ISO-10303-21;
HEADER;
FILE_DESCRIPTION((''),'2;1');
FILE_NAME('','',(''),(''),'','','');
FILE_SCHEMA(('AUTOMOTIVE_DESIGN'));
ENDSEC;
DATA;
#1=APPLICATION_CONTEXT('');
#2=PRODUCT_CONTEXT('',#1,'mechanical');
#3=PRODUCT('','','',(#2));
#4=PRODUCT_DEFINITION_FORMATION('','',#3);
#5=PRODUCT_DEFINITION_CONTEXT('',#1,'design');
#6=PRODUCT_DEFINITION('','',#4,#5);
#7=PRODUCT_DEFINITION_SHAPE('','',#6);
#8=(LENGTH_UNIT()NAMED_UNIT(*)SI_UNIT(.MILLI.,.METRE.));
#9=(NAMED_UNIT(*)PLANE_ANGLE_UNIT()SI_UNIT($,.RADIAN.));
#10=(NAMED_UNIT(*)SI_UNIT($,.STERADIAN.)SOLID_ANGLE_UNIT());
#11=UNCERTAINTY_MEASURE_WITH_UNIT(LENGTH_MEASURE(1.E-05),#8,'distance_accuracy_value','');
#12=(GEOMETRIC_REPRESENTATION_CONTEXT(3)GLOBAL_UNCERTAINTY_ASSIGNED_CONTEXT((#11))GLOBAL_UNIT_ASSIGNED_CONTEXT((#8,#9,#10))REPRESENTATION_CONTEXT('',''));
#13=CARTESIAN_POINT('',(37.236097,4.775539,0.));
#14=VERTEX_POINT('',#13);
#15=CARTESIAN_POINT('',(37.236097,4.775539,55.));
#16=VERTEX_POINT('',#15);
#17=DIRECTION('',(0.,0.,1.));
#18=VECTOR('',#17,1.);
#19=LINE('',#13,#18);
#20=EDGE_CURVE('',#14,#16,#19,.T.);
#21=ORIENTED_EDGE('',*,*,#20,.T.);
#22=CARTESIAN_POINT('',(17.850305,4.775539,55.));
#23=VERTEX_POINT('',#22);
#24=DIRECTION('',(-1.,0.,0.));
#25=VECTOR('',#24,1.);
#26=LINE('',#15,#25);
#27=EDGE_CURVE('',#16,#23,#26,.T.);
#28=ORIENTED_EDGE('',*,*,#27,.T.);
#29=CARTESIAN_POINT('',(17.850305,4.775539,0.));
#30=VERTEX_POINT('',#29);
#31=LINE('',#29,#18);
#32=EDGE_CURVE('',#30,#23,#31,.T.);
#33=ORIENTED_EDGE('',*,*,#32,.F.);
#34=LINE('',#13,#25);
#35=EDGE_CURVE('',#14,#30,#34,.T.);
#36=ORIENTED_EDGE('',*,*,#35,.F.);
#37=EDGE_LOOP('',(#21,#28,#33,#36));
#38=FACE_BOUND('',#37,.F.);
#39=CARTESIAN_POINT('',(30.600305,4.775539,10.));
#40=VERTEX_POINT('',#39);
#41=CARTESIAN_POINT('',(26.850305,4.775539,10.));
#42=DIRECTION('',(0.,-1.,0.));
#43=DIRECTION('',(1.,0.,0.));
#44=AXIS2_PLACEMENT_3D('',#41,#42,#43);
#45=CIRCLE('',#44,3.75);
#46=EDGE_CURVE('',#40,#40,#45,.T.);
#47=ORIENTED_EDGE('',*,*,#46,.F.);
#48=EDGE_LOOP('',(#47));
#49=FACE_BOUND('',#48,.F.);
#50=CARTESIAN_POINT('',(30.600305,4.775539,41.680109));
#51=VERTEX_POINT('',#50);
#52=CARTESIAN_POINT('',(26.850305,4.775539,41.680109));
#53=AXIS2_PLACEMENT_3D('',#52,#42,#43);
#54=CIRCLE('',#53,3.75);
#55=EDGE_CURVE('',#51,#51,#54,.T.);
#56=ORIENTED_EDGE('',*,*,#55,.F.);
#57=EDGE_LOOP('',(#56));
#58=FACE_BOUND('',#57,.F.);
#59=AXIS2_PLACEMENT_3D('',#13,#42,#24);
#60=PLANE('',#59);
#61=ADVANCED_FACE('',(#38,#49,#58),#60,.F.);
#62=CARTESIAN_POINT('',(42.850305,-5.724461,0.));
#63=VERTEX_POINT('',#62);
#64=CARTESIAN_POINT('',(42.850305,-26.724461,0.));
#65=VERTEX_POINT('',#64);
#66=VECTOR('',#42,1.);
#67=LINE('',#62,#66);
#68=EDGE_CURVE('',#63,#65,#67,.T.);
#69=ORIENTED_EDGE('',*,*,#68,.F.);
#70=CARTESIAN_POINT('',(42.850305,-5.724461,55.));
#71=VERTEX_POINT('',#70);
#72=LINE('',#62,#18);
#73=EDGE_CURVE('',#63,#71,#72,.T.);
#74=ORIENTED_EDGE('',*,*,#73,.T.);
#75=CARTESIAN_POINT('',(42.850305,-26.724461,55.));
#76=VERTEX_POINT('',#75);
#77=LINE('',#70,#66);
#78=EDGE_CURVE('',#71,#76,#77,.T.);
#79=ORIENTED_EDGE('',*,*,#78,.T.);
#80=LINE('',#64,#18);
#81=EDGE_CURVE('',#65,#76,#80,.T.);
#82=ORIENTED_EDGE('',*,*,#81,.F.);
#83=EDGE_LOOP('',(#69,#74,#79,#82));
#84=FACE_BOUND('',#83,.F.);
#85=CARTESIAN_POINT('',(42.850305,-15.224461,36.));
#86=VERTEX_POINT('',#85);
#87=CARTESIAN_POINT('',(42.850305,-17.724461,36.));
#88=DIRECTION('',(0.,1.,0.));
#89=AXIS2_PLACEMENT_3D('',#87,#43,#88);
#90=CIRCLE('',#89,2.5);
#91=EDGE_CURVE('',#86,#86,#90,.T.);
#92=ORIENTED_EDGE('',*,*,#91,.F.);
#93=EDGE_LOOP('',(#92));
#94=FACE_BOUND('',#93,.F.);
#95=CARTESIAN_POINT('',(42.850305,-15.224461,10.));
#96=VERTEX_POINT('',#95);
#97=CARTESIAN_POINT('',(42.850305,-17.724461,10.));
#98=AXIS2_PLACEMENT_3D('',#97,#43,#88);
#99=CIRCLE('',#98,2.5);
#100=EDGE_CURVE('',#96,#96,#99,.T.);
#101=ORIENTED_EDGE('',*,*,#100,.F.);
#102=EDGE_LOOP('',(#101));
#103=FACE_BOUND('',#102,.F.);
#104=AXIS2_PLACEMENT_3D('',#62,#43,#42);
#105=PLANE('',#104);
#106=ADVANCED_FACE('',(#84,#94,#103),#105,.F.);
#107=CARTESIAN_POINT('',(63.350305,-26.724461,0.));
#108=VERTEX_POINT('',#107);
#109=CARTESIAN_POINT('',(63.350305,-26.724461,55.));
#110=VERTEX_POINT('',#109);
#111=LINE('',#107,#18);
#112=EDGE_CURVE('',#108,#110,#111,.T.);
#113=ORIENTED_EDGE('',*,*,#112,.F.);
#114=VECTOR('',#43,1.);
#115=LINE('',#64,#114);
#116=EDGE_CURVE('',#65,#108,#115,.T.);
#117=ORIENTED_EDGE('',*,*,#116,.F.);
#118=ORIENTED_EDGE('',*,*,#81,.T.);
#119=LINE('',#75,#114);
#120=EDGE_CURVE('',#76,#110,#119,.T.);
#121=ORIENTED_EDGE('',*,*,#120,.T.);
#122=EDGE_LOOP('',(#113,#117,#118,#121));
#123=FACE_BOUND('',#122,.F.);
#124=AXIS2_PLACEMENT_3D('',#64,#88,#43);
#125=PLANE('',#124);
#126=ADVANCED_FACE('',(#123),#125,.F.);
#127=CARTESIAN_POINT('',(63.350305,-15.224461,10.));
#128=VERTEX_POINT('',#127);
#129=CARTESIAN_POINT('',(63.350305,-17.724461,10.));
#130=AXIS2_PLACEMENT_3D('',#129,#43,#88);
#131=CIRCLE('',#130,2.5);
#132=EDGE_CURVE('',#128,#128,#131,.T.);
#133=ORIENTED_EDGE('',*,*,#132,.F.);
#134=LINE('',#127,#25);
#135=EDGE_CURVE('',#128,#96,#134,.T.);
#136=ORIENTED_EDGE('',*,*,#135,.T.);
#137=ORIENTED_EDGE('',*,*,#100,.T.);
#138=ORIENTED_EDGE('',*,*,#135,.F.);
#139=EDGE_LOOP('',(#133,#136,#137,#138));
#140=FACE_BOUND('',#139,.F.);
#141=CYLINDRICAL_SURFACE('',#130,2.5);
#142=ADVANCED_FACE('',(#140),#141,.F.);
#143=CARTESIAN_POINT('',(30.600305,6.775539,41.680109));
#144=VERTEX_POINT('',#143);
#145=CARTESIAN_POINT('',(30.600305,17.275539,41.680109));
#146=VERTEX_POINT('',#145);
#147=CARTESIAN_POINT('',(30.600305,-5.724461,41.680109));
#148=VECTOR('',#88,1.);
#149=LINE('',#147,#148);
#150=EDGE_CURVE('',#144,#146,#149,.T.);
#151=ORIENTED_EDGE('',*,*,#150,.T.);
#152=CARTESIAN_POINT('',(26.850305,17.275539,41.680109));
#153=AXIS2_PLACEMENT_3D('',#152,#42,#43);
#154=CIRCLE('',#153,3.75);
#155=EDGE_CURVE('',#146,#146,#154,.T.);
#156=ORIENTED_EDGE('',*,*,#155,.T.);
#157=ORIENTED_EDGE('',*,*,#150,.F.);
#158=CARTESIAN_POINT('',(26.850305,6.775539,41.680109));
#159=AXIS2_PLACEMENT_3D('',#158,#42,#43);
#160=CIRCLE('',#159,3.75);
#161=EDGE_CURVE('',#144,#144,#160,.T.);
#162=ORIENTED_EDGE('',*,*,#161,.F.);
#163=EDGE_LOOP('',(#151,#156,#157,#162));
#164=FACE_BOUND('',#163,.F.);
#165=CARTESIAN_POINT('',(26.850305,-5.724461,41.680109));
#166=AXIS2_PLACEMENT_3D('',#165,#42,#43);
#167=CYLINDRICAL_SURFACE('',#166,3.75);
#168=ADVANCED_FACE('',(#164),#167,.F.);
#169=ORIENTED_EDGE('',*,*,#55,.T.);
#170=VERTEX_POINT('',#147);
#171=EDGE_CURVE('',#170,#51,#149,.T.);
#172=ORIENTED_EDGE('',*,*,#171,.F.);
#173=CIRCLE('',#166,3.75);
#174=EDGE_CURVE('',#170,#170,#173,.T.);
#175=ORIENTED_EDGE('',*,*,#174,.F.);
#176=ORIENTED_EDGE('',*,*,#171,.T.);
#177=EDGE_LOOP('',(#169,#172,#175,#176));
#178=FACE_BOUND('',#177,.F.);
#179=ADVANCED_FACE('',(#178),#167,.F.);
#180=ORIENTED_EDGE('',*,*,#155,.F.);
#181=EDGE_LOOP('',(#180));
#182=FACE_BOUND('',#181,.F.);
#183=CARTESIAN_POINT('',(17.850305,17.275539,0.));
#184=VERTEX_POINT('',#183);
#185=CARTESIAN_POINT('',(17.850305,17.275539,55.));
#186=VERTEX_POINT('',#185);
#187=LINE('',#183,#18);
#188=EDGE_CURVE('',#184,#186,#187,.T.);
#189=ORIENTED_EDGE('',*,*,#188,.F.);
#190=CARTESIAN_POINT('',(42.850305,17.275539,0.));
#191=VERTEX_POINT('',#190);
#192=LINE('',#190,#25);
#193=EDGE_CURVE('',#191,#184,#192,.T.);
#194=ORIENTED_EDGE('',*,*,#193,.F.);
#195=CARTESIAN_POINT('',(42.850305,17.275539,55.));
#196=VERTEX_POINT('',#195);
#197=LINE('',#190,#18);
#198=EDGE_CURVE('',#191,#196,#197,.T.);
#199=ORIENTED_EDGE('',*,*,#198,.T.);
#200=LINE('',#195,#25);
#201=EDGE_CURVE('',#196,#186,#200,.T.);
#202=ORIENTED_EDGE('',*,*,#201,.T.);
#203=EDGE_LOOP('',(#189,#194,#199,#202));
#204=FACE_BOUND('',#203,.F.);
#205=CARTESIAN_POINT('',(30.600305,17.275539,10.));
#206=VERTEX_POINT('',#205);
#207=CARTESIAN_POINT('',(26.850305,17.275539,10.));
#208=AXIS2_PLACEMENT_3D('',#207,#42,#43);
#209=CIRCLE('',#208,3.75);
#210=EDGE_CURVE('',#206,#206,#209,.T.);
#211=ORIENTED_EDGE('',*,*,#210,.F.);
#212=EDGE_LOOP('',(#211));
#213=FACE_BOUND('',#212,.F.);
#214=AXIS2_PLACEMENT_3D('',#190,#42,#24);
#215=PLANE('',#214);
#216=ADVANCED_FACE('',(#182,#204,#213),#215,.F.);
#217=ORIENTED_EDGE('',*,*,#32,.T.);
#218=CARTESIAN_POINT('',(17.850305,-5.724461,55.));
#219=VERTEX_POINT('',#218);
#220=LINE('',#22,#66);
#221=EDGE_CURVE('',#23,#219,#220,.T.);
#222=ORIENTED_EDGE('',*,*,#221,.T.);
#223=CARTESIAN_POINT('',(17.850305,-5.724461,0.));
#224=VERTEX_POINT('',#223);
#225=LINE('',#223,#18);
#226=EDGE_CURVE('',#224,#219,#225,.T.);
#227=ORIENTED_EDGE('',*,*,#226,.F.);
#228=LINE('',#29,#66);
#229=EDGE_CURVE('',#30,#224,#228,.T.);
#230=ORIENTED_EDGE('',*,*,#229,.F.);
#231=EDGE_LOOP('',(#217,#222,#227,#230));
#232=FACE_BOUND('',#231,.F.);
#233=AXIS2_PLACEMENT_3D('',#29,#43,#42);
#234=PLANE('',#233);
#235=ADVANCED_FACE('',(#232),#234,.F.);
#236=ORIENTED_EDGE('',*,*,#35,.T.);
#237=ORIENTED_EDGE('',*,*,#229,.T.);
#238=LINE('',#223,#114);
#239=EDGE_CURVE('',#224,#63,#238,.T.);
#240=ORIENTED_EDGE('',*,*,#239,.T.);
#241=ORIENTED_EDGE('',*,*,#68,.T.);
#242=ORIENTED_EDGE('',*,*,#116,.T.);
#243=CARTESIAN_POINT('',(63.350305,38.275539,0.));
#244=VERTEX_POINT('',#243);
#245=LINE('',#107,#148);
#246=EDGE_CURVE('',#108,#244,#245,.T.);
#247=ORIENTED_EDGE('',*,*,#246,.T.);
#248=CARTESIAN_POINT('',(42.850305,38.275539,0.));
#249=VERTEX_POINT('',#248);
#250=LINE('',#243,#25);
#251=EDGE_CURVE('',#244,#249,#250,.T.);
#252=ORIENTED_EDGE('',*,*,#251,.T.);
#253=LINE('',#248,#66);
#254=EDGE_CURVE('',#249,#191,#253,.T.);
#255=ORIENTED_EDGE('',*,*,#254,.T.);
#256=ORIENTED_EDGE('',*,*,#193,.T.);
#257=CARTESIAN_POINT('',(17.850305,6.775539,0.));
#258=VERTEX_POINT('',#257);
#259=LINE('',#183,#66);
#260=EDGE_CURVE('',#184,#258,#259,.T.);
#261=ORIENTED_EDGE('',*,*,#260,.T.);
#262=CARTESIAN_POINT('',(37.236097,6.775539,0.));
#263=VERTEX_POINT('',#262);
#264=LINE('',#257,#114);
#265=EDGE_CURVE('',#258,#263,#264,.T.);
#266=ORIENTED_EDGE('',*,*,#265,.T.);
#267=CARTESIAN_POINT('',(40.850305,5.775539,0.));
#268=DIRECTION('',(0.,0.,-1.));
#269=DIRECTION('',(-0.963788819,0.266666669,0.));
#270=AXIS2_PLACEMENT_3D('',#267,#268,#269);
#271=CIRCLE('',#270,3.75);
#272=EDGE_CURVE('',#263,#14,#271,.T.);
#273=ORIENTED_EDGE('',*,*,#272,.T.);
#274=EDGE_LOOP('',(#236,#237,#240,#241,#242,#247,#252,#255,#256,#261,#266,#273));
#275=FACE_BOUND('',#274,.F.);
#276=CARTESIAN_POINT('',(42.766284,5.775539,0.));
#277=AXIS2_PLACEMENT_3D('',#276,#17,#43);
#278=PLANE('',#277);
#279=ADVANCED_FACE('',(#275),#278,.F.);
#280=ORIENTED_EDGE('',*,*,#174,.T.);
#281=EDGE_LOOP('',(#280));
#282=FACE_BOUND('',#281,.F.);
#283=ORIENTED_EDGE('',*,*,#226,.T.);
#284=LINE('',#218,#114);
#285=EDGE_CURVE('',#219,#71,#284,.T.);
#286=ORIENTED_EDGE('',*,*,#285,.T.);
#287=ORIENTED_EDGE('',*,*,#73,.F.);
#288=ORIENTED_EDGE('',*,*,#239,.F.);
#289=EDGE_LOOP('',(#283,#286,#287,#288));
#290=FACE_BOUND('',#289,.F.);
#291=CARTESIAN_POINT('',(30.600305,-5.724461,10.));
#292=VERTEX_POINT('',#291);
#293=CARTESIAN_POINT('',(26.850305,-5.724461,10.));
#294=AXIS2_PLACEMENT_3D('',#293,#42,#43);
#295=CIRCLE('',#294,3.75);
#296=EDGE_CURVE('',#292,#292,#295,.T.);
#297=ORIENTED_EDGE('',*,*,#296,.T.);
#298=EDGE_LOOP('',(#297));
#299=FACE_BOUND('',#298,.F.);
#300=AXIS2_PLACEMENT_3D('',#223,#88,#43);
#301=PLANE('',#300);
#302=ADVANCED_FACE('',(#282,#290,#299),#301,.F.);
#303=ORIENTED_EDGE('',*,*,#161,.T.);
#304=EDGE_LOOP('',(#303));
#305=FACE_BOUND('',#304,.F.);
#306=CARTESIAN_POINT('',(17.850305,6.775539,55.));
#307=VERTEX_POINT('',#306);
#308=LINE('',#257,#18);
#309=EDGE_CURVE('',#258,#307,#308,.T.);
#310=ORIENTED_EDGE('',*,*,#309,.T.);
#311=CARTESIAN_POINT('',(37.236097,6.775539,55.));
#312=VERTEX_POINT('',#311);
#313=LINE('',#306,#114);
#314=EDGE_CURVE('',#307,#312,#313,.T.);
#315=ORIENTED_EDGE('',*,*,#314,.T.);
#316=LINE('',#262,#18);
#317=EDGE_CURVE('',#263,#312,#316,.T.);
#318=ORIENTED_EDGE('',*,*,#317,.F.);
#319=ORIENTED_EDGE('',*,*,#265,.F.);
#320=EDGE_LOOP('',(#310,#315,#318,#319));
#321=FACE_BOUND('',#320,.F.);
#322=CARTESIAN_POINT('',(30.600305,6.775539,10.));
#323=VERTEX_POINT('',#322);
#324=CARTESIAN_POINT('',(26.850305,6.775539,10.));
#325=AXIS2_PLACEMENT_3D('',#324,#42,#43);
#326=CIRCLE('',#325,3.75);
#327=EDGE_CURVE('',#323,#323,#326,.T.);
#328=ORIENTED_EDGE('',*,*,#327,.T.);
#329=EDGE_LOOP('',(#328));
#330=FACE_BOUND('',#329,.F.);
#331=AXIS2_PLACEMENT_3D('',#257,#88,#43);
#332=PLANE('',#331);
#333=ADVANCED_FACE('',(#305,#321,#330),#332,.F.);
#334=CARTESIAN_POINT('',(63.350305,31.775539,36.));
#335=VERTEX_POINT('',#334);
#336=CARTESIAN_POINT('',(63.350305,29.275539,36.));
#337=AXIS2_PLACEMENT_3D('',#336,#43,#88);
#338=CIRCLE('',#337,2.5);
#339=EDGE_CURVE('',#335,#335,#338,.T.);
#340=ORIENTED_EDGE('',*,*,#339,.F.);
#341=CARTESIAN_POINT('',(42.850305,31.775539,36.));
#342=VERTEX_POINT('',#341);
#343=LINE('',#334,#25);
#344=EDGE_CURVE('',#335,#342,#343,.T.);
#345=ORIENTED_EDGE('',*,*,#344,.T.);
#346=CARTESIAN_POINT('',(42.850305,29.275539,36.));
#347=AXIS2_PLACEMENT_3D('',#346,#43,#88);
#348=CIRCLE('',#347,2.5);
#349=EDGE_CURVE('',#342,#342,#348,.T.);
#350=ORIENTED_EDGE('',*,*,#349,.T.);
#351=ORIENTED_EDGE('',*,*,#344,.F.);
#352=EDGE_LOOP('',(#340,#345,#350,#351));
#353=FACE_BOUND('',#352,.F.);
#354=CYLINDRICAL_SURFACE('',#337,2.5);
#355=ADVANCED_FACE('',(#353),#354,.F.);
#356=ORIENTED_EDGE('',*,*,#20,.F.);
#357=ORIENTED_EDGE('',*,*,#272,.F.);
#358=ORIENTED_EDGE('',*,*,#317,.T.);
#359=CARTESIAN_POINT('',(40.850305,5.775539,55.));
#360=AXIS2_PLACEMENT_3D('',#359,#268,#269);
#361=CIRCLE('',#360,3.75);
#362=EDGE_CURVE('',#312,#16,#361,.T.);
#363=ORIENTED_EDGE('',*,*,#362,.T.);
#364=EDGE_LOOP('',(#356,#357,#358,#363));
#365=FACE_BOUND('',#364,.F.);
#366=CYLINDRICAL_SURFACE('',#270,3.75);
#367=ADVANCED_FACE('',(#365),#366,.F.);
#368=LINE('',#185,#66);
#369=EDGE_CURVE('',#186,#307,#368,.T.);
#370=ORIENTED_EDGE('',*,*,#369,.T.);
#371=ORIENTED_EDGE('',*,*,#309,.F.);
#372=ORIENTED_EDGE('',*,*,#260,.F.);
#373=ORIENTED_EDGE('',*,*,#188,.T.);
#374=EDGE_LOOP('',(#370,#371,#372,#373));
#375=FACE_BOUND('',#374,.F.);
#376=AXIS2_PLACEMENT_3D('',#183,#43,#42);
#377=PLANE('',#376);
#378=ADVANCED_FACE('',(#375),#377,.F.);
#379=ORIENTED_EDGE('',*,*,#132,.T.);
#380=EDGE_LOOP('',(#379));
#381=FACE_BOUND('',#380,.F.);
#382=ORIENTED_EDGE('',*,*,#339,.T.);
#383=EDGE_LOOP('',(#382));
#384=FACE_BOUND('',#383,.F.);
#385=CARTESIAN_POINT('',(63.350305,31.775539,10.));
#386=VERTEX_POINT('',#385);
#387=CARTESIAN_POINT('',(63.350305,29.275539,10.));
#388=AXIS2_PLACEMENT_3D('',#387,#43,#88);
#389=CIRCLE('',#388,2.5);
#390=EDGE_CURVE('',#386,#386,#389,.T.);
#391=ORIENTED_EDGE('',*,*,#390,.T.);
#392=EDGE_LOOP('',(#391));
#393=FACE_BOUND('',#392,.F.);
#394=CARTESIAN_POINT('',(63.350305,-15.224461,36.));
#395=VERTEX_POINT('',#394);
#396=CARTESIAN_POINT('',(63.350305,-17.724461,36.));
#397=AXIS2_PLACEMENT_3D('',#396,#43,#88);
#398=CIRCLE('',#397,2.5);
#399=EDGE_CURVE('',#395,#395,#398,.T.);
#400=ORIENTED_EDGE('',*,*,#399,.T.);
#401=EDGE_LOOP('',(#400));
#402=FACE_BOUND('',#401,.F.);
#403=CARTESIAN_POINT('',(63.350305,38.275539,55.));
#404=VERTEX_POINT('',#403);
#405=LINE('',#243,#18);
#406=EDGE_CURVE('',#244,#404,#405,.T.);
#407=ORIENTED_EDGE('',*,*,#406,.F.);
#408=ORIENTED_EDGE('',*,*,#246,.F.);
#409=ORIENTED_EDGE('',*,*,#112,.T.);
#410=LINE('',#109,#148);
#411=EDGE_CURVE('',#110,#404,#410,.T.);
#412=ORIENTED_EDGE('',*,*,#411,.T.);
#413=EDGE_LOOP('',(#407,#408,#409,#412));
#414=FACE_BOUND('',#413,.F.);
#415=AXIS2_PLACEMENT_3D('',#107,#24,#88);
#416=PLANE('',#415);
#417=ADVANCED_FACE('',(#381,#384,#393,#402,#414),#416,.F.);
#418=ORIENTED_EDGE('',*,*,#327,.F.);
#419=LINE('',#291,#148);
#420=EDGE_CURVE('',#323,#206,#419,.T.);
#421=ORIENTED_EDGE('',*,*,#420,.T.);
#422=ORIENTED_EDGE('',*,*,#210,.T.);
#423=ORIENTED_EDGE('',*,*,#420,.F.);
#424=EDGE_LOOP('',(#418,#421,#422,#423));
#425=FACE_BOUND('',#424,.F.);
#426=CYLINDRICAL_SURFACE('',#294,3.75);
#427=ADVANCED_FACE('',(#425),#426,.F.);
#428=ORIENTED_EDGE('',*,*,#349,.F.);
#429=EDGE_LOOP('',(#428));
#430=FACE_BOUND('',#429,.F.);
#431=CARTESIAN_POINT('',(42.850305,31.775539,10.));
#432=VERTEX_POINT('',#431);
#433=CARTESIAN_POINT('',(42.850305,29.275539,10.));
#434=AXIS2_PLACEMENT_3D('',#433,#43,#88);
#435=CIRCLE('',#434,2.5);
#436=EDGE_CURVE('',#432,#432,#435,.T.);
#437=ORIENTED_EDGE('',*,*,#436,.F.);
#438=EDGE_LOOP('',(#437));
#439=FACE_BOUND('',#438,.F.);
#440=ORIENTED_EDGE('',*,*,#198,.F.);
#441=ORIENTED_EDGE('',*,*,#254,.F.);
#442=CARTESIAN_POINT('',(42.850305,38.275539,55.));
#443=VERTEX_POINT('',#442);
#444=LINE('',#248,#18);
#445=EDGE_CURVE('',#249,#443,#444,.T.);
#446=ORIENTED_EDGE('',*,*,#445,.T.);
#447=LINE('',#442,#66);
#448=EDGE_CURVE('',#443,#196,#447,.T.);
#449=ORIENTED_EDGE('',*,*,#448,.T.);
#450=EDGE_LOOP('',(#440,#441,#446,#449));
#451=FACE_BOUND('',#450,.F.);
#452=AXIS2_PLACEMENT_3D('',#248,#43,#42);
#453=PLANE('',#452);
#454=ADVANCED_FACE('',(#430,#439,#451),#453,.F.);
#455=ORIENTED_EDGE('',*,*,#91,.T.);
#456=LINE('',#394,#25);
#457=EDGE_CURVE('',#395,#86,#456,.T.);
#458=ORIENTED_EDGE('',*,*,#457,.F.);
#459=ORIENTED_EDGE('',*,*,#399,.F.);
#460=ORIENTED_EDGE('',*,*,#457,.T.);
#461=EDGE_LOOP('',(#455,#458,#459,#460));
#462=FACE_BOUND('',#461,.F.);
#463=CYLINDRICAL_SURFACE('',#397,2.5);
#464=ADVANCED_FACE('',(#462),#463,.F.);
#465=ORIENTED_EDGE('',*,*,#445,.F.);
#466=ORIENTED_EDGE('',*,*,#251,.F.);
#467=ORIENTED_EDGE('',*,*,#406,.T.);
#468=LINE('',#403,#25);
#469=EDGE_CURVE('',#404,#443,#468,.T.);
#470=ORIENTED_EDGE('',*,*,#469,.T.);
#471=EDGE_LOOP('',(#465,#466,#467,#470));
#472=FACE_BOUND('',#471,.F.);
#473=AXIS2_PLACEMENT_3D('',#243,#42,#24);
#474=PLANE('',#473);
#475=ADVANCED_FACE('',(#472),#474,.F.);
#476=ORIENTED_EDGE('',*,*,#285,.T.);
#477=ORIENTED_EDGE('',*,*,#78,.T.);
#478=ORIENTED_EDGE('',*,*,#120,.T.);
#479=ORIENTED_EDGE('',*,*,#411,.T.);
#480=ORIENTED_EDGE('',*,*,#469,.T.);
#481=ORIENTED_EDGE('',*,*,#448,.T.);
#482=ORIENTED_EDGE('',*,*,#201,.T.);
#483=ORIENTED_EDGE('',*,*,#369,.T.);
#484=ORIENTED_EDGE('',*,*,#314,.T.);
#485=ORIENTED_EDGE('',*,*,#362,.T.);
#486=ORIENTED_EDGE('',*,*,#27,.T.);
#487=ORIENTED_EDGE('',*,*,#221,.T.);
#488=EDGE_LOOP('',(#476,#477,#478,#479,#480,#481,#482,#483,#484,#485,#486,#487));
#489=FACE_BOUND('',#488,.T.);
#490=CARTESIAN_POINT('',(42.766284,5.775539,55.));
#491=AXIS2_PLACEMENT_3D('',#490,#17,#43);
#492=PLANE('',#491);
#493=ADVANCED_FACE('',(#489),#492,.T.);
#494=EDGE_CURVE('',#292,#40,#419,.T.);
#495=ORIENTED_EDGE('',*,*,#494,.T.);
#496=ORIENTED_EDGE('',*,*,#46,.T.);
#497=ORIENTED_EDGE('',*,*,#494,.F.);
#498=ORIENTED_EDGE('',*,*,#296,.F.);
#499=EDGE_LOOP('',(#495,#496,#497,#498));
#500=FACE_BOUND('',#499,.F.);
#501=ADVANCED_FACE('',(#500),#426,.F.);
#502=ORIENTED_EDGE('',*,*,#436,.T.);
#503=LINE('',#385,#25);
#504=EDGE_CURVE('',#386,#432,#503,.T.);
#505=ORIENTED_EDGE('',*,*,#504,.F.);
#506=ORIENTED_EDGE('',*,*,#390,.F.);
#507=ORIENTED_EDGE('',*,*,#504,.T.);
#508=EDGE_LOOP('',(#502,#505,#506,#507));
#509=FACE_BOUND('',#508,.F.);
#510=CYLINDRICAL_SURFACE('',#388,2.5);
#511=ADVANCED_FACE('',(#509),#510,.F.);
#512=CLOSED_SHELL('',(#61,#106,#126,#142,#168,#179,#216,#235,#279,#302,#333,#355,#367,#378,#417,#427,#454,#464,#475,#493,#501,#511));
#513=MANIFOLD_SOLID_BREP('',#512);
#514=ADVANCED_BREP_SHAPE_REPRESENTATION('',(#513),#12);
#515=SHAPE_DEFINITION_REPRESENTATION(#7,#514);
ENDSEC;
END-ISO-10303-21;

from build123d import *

# Parameters (mm, degrees)
F1_DEPTH = 55
F2_R     = 2.5
F3_DEPTH = 45.501
F4_R     = 3.75
F5_DEPTH = 44.001


with BuildPart() as f1:
    # F0 (on Top) → F1 (new body)
    with BuildSketch(Plane.XY):
        with BuildLine():
            Line((63.350305, -26.724461), (63.350305, 38.275539))
            Line((63.350305, 38.275539), (42.850305, 38.275539))
            Line((42.850305, 38.275539), (42.850305, 17.275539))
            Line((42.850305, 17.275539), (17.850305, 17.275539))
            Line((17.850305, 17.275539), (17.850305, 6.775539))
            Line((17.850305, 6.775539), (37.236097, 6.775539))
            ThreePointArc((37.236097, 6.775539), (44.600305, 5.775539), (37.236097, 4.775539))
            Line((37.236097, 4.775539), (17.850305, 4.775539))
            Line((17.850305, 4.775539), (17.850305, -5.724461))
            Line((17.850305, -5.724461), (42.850305, -5.724461))
            Line((42.850305, -5.724461), (42.850305, -26.724461))
            Line((42.850305, -26.724461), (63.350305, -26.724461))
        make_face()
    extrude(amount=F1_DEPTH)

    # F2 (on face) → F3 (cut, through all)
    with BuildSketch(Plane.YZ.offset(63.350305)):
        with Locations((29.275539, 10)):
            Circle(F2_R)
        with Locations((29.275539, 36)):
            Circle(F2_R)
        with Locations((-17.724461, 10)):
            Circle(F2_R)
        with Locations((-17.724461, 36)):
            Circle(F2_R)
    extrude(amount=-F3_DEPTH, mode=Mode.SUBTRACT)

    # F4 (on face) → F5 (cut, through all)
    with BuildSketch(Plane.XZ.offset(5.724461)):
        with Locations((26.850305, 41.680109)):
            Circle(F4_R)
        with Locations((26.850305, 10)):
            Circle(F4_R)
    extrude(amount=-F5_DEPTH, mode=Mode.SUBTRACT)


solid = f1.part
